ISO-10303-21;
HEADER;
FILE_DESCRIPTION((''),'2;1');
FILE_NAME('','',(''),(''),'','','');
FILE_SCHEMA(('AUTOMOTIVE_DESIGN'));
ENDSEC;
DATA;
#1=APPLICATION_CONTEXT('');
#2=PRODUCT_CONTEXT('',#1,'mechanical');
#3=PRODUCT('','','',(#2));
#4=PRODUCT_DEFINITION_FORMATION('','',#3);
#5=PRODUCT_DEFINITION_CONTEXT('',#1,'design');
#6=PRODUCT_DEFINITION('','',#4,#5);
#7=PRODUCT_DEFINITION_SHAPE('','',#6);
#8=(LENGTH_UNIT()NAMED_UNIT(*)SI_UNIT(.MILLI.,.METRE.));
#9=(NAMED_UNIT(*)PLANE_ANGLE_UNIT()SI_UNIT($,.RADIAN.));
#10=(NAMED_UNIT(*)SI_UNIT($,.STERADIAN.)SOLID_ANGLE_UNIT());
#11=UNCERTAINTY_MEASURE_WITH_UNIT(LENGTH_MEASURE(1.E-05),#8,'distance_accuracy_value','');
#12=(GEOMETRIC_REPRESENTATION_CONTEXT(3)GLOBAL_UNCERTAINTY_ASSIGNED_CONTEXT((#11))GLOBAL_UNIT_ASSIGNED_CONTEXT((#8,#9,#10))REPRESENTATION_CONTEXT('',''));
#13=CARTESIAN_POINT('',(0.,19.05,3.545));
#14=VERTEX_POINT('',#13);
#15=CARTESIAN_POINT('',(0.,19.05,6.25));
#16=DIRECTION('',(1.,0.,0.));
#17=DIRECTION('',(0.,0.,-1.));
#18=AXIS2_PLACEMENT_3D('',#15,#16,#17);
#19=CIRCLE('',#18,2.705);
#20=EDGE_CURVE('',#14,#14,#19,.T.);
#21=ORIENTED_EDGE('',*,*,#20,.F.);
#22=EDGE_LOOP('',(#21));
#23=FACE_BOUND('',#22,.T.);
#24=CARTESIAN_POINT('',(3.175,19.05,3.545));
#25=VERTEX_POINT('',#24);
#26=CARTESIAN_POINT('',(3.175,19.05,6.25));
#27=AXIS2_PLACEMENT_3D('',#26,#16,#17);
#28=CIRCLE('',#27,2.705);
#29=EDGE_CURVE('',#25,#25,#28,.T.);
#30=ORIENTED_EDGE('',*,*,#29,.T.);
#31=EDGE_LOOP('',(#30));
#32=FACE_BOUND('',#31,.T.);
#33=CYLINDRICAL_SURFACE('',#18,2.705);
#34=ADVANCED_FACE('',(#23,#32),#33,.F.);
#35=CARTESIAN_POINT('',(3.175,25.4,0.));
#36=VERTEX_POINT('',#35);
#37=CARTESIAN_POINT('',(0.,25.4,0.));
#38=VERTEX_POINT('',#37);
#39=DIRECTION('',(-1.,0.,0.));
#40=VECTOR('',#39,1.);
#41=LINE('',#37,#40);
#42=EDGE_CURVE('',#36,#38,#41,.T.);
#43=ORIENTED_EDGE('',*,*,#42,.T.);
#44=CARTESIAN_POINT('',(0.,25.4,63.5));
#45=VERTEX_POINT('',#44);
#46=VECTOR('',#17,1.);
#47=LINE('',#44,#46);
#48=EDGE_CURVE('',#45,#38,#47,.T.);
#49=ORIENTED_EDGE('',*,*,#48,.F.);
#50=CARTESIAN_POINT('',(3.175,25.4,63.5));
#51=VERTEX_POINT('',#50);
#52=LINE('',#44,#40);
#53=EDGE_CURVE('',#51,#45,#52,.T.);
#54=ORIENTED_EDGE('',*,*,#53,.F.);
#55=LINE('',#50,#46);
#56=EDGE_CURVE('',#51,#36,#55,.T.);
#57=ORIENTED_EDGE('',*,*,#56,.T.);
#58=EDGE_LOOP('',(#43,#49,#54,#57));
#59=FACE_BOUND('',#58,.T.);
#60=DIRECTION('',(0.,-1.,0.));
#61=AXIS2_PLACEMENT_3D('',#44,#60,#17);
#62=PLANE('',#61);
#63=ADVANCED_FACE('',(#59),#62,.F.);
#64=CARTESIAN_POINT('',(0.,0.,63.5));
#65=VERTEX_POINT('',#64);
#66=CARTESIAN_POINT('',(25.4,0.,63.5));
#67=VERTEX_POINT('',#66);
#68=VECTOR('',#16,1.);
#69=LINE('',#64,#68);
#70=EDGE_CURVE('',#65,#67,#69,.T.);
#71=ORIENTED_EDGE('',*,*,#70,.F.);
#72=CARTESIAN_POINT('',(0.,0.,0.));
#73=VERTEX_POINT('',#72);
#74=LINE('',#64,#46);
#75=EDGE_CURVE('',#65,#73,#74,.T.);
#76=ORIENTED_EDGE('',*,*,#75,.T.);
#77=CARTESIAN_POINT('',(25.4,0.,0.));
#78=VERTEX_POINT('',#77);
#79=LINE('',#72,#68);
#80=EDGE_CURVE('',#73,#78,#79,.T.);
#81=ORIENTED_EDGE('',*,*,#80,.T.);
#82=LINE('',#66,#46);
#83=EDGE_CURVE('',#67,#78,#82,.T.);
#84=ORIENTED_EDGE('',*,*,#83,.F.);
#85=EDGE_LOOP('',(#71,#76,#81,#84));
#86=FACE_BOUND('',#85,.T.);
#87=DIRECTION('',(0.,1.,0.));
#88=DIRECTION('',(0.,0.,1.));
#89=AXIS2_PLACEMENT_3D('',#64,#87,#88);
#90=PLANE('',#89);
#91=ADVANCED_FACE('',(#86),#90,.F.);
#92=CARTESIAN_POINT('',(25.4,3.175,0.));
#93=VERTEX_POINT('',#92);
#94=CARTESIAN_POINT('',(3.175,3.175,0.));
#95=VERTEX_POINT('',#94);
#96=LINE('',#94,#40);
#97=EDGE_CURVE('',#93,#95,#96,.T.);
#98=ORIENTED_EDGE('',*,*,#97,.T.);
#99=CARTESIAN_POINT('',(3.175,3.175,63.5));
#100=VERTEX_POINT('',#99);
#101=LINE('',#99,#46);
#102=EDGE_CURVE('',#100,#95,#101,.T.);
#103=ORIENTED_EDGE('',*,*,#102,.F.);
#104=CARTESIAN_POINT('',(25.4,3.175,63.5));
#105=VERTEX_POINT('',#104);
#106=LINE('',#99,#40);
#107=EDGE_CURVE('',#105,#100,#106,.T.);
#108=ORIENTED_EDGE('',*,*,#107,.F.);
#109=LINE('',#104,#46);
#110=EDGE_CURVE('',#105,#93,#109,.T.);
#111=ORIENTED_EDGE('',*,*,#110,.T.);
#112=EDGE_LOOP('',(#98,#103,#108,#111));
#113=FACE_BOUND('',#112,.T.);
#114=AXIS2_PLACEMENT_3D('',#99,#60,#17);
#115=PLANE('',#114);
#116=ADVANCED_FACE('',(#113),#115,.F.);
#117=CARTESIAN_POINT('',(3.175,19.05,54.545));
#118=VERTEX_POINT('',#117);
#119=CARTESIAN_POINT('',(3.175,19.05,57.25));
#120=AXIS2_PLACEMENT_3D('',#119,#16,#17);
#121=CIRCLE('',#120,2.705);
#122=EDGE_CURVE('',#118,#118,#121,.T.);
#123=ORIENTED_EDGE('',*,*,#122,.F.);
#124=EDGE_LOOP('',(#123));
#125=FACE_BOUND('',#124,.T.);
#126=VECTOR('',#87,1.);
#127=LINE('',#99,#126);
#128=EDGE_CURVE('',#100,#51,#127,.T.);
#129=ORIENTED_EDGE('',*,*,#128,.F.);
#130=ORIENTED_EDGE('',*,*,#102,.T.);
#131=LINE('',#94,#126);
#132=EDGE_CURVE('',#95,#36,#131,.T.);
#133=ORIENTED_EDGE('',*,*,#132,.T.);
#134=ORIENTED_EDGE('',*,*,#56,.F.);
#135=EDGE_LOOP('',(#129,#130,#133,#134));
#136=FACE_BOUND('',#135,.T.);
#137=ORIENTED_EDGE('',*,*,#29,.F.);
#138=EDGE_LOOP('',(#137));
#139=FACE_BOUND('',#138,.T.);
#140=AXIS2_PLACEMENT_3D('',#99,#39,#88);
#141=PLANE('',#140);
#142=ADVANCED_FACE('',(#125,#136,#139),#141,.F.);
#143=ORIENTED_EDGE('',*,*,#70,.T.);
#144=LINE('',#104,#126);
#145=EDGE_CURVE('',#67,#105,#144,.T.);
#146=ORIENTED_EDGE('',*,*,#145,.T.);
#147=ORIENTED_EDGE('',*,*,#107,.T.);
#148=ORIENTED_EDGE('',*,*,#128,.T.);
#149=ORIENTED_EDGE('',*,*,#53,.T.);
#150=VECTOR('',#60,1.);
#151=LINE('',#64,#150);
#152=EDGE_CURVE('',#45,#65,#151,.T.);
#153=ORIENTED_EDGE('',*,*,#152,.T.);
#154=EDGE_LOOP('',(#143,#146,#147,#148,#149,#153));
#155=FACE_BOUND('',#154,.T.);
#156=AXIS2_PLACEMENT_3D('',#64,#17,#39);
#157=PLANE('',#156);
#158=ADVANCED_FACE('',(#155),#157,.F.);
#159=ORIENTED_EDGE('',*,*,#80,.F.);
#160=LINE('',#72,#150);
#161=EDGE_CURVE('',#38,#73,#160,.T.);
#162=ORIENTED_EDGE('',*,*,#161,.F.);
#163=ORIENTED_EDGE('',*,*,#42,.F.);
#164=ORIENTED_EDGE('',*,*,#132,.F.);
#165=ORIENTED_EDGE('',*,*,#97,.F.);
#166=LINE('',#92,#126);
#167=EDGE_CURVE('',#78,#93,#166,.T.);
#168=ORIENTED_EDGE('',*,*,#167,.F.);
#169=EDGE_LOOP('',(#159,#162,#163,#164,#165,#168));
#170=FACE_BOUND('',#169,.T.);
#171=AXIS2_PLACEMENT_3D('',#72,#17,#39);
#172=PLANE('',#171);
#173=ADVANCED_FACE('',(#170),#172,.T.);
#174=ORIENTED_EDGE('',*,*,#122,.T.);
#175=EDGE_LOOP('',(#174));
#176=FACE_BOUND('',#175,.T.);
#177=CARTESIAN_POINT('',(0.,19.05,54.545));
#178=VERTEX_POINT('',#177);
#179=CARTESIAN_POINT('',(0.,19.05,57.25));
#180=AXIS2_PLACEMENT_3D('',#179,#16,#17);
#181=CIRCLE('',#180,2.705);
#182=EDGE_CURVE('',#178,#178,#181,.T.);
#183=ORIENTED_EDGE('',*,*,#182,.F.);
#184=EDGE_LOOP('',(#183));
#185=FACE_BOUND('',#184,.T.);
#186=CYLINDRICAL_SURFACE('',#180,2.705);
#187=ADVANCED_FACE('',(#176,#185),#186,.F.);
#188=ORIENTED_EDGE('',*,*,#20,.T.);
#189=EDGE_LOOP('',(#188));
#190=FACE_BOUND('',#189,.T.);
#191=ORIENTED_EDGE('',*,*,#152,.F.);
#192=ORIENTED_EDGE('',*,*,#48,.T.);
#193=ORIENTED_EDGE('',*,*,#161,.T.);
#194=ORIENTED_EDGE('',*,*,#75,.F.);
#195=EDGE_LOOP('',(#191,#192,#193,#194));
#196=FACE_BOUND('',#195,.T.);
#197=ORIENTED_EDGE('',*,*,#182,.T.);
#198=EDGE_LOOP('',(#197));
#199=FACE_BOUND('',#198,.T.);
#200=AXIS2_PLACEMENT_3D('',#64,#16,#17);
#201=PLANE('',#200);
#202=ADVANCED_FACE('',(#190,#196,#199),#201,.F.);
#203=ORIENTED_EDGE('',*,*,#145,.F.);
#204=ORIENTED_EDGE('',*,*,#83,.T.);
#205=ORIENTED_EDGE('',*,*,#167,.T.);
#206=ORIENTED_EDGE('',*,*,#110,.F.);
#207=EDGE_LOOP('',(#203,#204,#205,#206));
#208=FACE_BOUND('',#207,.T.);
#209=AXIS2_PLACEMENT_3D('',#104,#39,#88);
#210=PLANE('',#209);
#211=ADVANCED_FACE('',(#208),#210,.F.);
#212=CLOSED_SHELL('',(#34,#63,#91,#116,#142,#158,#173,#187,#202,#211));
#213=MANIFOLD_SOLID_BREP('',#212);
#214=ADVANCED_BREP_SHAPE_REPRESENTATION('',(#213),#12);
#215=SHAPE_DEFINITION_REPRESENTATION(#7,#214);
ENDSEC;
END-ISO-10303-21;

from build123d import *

# Parameters (mm, degrees)
BOSS_EXTRUDE1_DEPTH = 63.5
SKETCH4_R           = 2.705
CUT_EXTRUDE3_DEPTH  = 72.912172996


with BuildPart() as part:
    # Sketch1 → Boss-Extrude1 (new body)
    with BuildSketch(Plane.XY):
        Polygon((0, 0), (25.4, 0), (25.4, 3.175), (3.175, 3.175), (3.175, 25.4), (0, 25.4), align=None)
    extrude(amount=BOSS_EXTRUDE1_DEPTH)

    # Sketch4 → Cut-Extrude3 (cut, through all)
    with BuildSketch(Plane(origin=(3.175, 0, 0), x_dir=(0, 0, -1), z_dir=(1, 0, 0))):
        with Locations((-57.25, 19.05)):
            Circle(SKETCH4_R)
        with Locations((-6.25, 19.05)):
            Circle(SKETCH4_R)
    extrude(amount=-CUT_EXTRUDE3_DEPTH, mode=Mode.SUBTRACT)


solid = part.part
